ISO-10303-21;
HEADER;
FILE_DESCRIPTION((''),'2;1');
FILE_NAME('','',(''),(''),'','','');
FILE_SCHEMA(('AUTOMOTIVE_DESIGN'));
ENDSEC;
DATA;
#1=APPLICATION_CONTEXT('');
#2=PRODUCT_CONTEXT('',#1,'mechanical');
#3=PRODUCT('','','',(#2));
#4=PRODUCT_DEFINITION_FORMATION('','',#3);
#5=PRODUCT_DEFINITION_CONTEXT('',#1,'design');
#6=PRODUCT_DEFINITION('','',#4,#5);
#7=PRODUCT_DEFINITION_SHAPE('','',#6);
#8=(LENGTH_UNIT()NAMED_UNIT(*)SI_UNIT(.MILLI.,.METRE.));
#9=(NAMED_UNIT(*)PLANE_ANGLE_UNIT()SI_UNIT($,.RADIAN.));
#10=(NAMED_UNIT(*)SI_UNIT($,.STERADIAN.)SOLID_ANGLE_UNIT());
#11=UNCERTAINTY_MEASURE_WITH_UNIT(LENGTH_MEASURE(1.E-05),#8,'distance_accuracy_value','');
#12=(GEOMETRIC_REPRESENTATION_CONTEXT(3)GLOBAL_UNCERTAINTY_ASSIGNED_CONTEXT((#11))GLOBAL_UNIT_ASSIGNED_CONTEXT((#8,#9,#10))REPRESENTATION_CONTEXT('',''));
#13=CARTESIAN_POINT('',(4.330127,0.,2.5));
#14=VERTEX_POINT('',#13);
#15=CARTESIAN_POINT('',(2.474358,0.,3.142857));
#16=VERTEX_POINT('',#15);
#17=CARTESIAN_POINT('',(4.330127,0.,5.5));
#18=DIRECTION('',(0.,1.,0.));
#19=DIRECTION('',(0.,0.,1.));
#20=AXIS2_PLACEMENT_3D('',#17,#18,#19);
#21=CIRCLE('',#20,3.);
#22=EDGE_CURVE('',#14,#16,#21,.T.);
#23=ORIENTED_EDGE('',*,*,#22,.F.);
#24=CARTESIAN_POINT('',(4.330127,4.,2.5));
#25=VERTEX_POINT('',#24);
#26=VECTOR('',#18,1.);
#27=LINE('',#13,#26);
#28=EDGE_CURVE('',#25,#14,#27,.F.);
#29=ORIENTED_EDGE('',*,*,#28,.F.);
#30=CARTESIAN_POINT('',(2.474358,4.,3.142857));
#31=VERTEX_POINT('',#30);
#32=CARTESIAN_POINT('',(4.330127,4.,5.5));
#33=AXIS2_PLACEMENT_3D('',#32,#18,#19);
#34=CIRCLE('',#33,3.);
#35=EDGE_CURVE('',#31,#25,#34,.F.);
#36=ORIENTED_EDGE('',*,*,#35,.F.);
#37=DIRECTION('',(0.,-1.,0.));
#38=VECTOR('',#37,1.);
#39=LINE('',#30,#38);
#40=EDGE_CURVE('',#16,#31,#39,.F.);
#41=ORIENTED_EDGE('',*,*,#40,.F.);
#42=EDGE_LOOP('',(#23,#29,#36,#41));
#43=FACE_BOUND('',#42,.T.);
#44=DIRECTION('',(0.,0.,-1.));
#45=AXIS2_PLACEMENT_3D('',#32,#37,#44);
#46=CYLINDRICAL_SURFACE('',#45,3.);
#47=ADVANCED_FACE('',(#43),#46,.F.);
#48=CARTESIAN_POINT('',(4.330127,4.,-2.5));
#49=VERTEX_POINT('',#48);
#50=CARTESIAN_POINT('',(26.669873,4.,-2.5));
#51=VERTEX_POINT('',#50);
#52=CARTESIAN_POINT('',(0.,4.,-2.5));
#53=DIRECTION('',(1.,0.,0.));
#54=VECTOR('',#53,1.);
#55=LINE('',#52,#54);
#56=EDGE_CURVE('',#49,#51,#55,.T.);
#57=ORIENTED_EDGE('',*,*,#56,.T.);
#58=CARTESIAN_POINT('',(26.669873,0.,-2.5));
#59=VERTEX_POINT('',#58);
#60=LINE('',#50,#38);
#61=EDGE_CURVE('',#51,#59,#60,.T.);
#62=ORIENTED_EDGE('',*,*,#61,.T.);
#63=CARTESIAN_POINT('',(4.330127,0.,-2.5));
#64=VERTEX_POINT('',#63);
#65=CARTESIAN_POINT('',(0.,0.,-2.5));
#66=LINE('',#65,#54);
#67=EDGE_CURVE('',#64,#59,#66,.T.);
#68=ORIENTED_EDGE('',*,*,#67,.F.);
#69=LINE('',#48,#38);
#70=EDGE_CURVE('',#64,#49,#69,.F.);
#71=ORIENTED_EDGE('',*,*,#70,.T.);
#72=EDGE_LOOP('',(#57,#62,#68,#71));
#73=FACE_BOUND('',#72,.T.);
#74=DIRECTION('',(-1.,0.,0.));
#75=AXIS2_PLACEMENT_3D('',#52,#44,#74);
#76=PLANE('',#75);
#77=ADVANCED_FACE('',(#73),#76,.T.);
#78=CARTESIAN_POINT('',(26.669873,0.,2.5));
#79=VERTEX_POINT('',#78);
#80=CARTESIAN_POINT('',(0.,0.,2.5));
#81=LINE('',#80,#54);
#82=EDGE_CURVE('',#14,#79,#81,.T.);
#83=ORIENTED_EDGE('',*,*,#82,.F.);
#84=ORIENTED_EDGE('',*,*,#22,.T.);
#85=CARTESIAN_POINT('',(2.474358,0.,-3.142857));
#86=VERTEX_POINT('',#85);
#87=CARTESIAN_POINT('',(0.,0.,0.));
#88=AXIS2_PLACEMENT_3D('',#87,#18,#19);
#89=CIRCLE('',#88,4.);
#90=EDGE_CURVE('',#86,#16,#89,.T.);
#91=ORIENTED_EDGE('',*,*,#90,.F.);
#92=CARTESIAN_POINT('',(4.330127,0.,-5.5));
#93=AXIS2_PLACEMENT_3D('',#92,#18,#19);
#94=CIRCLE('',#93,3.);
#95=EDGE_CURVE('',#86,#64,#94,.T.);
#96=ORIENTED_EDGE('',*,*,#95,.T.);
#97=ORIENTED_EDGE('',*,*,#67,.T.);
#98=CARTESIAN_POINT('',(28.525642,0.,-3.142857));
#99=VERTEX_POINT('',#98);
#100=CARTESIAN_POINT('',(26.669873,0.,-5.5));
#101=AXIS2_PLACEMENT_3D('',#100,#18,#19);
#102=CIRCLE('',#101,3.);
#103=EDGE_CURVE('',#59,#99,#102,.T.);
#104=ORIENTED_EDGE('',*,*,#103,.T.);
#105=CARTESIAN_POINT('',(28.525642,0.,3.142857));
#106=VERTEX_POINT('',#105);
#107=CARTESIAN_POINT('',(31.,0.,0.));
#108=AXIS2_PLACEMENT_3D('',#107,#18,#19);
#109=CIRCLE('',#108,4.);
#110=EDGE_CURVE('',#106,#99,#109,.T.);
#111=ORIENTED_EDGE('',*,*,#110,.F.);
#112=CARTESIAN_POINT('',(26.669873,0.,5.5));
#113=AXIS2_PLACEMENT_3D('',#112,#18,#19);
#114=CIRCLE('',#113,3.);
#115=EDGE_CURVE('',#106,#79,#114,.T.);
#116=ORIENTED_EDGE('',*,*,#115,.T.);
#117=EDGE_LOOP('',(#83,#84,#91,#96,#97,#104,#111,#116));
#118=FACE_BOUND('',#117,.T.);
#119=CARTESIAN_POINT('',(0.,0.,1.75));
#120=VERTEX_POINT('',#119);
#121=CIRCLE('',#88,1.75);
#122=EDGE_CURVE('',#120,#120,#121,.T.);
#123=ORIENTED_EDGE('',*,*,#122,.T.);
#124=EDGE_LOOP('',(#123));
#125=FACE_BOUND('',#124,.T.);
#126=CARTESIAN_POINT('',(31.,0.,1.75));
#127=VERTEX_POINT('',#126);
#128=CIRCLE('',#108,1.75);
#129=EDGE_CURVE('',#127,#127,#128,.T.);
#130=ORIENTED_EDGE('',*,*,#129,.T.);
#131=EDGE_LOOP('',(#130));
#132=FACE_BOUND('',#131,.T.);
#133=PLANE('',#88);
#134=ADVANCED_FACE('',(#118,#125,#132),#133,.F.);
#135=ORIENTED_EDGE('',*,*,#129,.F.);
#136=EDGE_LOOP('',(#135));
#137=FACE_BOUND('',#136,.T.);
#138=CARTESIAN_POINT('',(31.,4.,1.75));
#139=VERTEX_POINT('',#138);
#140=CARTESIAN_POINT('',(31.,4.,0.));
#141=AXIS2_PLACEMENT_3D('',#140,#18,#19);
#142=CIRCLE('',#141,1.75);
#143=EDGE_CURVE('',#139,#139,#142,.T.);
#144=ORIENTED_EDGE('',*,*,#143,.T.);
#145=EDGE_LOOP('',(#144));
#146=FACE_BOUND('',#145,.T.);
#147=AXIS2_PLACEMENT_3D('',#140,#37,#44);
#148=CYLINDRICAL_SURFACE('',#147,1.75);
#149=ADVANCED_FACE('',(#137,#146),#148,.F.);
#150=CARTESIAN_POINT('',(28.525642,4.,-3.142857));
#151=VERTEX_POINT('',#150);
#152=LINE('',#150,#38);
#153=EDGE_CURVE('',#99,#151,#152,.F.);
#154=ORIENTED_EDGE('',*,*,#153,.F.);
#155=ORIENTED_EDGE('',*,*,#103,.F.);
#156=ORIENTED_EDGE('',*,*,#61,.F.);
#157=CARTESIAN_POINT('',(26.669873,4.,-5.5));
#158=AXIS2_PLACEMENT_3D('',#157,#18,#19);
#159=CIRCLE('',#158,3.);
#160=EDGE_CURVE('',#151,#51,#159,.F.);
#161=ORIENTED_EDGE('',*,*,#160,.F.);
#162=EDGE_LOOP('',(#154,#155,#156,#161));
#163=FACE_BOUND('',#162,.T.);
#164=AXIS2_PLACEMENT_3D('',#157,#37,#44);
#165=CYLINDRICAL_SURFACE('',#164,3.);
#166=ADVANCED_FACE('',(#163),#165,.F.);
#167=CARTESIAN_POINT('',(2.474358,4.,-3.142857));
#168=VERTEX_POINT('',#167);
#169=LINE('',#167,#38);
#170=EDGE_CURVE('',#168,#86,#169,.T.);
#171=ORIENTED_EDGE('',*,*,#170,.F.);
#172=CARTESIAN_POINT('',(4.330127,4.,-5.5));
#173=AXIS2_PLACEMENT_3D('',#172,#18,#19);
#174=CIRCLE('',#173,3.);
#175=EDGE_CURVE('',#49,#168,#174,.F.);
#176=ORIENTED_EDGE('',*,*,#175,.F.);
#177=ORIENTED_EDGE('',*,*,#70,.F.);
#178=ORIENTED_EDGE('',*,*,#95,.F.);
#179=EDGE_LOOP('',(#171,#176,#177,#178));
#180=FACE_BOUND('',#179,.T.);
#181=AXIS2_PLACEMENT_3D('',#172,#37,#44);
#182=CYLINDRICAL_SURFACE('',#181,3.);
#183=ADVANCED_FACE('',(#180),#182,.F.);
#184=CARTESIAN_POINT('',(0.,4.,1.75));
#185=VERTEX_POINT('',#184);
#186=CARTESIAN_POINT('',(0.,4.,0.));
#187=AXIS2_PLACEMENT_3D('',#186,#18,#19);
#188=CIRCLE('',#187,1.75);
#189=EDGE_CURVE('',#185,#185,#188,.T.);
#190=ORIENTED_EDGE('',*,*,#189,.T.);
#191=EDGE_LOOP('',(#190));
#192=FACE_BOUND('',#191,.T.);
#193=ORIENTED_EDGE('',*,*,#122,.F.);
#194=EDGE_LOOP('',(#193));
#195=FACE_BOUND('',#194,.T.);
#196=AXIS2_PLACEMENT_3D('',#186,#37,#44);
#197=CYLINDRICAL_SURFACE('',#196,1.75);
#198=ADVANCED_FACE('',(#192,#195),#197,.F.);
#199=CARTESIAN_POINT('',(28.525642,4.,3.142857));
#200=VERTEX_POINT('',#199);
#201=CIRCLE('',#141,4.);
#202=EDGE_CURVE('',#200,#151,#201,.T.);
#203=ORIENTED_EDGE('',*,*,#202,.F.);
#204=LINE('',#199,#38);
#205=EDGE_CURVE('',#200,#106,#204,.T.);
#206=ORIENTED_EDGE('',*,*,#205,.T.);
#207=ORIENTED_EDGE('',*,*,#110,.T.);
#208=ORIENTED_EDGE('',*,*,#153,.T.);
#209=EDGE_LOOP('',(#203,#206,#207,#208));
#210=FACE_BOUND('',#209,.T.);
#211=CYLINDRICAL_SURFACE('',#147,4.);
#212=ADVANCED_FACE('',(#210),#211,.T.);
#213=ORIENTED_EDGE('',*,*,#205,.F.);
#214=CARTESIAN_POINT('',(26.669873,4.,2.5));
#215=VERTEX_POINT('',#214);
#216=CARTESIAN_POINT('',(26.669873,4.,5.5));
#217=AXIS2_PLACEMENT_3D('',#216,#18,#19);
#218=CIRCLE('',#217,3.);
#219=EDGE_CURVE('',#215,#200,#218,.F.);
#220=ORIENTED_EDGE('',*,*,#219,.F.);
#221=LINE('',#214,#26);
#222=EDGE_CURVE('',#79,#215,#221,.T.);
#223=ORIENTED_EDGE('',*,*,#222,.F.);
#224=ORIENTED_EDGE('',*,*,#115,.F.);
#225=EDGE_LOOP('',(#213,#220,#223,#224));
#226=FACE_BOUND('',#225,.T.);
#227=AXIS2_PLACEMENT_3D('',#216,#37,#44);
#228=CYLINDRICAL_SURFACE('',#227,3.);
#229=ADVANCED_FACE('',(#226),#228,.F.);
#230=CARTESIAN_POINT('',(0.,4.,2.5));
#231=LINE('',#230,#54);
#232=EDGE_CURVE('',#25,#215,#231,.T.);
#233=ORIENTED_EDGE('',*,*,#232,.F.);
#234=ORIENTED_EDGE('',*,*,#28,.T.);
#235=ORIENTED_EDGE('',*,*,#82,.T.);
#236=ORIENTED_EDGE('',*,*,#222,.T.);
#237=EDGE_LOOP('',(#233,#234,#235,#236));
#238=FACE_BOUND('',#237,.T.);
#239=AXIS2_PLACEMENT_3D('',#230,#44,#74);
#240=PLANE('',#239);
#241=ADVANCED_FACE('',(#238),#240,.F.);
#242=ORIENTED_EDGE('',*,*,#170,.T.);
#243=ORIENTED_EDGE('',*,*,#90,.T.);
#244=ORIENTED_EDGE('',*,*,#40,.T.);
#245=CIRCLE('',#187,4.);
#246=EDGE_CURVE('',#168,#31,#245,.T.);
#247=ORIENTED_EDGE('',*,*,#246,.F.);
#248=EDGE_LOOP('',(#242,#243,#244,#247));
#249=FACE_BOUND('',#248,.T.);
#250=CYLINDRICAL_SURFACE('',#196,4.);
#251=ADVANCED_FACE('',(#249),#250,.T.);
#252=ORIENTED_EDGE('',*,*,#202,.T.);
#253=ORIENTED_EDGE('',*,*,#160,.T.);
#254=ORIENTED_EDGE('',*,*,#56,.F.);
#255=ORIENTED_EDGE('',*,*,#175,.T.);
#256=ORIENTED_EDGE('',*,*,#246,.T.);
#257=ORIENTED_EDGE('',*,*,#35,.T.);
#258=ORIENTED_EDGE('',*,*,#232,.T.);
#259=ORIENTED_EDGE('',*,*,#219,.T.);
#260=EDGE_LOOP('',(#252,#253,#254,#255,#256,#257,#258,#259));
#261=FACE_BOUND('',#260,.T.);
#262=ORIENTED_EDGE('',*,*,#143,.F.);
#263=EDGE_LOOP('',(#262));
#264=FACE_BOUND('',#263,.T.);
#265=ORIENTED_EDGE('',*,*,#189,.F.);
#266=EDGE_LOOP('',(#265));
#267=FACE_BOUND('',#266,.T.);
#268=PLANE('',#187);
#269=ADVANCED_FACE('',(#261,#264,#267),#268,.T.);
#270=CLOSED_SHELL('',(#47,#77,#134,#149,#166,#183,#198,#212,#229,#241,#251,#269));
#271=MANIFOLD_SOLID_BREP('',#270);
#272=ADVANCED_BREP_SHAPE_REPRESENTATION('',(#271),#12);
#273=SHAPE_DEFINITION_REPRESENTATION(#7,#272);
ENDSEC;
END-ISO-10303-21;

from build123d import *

# Parameters (mm, degrees)
SKETCH1_R           = 1.75
BOSS_EXTRUDE1_DEPTH = 4
FILLET1_R           = 3


with BuildPart() as part:
    # Sketch1 → Boss-Extrude1 (new body)
    with BuildSketch(Plane(origin=(0, 0, 0), x_dir=(1, 0, 0), z_dir=(0, 1, 0))):
        with BuildLine():
            Line((27.877501001, 2.5), (3.122498999, 2.5))
            ThreePointArc((3.122498999, 2.5), (-4, 0), (3.122498999, -2.5))
            Line((3.122498999, -2.5), (27.877501001, -2.5))
            ThreePointArc((27.877501001, -2.5), (35, 0), (27.877501001, 2.5))
        make_face()
        Circle(SKETCH1_R, mode=Mode.SUBTRACT)
        with Locations((31, 0)):
            Circle(SKETCH1_R, mode=Mode.SUBTRACT)
    extrude(amount=BOSS_EXTRUDE1_DEPTH)

    # Fillet1
    fillet1_edges = [part.edges().sort_by_distance(p)[0] for p in [
        (27.877501001, 2, 2.5),
        (3.122498999, 2, 2.5),
        (3.122498999, 2, -2.5),
        (27.877501001, 2, -2.5),
    ]]
    fillet(fillet1_edges, radius=FILLET1_R)


solid = part.part
